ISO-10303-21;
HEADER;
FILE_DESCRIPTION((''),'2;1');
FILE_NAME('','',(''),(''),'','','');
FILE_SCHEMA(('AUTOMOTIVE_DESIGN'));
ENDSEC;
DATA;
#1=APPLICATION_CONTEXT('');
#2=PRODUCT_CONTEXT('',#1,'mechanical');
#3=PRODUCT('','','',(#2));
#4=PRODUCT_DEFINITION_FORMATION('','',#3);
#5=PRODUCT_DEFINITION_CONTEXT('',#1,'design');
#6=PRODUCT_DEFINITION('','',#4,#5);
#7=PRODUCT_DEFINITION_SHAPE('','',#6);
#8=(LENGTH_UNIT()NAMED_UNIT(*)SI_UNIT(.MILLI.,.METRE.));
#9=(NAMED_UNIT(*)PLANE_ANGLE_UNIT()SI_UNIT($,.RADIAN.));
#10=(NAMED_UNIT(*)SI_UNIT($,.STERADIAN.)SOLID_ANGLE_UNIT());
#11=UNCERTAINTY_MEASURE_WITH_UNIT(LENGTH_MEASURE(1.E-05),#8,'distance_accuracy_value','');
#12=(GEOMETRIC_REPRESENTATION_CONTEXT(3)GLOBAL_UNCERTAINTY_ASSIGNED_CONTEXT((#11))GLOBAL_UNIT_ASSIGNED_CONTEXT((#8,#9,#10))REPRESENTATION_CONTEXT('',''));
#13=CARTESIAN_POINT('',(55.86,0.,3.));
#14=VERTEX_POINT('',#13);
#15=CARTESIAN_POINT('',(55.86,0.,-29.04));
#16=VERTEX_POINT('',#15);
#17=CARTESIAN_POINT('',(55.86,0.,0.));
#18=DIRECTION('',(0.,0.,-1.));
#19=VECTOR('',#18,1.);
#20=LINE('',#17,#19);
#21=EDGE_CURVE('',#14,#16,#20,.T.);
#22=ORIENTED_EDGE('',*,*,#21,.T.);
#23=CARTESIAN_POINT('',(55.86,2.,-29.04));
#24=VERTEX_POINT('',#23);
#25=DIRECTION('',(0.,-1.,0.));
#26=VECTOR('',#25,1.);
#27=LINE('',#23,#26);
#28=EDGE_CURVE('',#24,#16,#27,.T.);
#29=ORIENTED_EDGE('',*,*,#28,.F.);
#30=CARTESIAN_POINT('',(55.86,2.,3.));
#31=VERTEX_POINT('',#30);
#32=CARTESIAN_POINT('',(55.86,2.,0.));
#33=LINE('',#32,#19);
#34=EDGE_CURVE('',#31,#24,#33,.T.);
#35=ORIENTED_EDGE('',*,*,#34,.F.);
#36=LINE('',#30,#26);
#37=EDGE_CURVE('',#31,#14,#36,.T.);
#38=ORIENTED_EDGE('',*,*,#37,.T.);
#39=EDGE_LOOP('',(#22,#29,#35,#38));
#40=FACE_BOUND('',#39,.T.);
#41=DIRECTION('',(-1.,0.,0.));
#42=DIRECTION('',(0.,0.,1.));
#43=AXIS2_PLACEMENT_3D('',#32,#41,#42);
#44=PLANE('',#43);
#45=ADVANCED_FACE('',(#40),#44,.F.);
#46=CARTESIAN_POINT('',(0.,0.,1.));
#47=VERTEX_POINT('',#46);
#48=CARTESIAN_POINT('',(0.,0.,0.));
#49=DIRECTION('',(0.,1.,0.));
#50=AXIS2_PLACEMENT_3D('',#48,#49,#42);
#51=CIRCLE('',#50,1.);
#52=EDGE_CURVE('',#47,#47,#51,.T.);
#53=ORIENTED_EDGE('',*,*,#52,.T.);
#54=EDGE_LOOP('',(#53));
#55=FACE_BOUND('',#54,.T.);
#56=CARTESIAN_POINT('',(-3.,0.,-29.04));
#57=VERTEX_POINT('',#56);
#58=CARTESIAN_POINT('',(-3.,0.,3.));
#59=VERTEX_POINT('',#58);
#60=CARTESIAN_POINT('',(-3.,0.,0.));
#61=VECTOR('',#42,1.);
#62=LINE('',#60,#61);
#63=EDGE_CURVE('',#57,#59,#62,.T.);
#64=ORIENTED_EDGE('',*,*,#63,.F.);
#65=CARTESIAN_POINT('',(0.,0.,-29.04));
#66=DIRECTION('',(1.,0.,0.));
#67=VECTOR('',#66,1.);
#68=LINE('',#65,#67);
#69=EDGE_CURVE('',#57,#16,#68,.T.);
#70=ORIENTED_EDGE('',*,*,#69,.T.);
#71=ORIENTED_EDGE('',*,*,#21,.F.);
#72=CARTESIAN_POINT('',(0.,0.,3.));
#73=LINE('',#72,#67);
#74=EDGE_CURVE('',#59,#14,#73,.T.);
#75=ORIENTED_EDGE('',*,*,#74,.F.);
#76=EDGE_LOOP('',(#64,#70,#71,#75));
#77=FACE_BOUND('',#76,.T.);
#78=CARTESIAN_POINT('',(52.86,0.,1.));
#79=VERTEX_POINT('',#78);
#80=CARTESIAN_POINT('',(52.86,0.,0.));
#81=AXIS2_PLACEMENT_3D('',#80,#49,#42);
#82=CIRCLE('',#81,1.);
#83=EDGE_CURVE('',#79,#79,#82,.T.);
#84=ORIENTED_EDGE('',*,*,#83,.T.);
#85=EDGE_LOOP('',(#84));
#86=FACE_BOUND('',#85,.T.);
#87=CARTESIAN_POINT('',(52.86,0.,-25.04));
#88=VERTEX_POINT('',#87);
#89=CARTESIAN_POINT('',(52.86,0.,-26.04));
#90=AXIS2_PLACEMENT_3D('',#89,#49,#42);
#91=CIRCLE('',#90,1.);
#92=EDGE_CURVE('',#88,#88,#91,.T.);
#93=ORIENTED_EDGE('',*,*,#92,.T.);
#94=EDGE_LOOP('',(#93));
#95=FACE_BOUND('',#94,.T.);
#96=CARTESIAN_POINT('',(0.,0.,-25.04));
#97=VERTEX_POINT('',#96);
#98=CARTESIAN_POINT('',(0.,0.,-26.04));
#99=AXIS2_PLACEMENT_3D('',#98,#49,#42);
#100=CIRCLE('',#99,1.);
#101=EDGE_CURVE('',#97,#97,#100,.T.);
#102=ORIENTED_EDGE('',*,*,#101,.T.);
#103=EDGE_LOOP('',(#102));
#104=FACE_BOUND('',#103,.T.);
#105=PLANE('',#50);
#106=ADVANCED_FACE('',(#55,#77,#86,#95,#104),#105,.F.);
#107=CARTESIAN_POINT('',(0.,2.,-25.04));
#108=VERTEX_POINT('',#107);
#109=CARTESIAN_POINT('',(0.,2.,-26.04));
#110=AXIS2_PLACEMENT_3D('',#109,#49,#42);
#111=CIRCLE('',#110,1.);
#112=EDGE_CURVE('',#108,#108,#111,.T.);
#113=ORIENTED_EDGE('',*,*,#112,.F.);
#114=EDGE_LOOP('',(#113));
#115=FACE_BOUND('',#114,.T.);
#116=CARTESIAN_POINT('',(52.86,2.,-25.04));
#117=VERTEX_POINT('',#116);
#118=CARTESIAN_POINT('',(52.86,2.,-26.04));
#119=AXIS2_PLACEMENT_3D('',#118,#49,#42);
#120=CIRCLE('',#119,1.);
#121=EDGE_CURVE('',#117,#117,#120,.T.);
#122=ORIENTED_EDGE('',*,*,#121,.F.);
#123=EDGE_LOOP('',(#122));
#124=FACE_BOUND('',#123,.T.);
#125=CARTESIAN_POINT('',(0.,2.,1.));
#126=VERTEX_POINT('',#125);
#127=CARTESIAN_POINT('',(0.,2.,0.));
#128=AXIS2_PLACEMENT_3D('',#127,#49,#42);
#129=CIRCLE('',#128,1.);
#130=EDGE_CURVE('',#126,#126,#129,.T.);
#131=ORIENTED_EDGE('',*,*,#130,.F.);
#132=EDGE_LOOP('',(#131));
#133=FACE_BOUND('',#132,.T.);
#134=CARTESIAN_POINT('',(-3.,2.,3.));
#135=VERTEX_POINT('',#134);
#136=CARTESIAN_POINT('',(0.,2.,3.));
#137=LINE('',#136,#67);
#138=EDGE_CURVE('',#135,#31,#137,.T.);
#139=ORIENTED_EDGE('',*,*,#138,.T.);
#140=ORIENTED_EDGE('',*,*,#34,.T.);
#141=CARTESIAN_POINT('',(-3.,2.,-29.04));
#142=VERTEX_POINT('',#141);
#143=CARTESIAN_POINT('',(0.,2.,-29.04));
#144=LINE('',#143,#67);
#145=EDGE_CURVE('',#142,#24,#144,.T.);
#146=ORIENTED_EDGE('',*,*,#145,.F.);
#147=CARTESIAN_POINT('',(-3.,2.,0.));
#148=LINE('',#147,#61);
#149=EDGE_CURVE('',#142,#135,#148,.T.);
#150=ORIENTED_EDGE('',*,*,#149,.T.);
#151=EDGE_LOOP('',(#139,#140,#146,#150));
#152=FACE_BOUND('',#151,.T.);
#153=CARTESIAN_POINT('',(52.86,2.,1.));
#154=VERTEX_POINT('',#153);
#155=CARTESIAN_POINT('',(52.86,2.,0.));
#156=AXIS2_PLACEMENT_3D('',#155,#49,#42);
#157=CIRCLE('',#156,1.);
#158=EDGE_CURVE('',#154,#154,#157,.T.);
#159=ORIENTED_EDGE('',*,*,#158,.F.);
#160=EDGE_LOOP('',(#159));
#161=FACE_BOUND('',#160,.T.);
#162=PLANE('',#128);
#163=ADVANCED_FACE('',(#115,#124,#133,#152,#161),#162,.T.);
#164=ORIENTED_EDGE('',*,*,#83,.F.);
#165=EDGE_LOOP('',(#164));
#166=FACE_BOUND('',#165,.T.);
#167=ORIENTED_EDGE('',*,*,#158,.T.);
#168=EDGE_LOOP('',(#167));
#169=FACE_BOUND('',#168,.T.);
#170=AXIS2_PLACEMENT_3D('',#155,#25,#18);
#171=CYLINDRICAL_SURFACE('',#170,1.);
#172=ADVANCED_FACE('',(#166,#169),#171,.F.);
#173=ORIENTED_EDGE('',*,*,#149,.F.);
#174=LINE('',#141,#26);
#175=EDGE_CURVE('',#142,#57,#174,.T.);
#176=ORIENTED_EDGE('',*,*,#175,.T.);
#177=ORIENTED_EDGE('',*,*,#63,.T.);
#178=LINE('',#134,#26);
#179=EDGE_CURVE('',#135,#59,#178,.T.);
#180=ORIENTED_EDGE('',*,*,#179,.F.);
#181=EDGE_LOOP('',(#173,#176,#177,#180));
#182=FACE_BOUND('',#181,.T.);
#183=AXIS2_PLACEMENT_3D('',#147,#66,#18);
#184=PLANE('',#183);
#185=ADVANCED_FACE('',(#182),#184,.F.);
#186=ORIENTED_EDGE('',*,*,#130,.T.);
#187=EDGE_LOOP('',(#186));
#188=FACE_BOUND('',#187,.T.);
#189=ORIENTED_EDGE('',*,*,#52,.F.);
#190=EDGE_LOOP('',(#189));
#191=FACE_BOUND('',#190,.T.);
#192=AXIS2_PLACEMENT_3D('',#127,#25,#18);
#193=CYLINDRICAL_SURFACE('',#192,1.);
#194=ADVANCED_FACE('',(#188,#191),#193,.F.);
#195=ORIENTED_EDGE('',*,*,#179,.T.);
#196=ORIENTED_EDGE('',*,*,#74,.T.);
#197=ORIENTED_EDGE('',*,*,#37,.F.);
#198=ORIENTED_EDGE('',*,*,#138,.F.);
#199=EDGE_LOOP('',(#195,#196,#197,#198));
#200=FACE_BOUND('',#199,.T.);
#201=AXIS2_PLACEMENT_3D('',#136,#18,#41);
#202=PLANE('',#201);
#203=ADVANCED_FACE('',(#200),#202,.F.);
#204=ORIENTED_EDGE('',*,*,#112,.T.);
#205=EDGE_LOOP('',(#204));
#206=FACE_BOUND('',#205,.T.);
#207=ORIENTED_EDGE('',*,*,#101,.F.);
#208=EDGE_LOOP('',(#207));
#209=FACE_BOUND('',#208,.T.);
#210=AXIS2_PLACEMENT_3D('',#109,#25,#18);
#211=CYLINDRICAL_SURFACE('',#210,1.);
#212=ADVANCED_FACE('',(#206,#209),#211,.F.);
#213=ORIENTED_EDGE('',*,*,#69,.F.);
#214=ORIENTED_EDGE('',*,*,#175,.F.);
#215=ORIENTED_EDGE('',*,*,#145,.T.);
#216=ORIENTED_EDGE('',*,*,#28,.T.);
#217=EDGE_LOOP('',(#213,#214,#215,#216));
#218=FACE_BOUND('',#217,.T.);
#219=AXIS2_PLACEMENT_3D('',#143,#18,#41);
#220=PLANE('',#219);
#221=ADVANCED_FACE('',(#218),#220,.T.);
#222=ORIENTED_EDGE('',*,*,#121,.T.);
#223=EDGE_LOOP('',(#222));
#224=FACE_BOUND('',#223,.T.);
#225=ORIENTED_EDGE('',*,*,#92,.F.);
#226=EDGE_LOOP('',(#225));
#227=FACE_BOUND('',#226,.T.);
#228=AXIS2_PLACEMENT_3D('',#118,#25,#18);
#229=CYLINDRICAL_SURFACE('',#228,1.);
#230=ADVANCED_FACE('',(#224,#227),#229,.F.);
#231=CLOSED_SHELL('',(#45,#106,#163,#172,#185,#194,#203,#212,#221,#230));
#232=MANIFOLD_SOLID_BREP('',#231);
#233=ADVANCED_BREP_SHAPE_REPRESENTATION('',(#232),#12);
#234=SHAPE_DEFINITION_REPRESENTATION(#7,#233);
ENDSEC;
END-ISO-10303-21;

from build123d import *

# Parameters (mm, degrees)
SKETCH1_W           = 58.86
SKETCH1_H           = 32.04
SKETCH1_R           = 1
BOSS_EXTRUDE1_DEPTH = 2


with BuildPart() as part:
    # Sketch1 → Boss-Extrude1 (new body)
    with BuildSketch(Plane(origin=(0, 0, 0), x_dir=(1, 0, 0), z_dir=(0, 1, 0))):
        with Locations((26.43, 13.02)):
            Rectangle(SKETCH1_W, SKETCH1_H)
        with Locations(Location((52.86, 26.04, 0), (0, 0, 270))):
            Circle(SKETCH1_R, mode=Mode.SUBTRACT)
        with Locations(Location((0, 0, 0), (0, 0, 270))):
            Circle(SKETCH1_R, mode=Mode.SUBTRACT)
        with Locations(Location((0, 26.04, 0), (0, 0, 270))):
            Circle(SKETCH1_R, mode=Mode.SUBTRACT)
        with Locations(Location((52.86, 0, 0), (0, 0, 270))):
            Circle(SKETCH1_R, mode=Mode.SUBTRACT)
    extrude(amount=BOSS_EXTRUDE1_DEPTH)


solid = part.part
